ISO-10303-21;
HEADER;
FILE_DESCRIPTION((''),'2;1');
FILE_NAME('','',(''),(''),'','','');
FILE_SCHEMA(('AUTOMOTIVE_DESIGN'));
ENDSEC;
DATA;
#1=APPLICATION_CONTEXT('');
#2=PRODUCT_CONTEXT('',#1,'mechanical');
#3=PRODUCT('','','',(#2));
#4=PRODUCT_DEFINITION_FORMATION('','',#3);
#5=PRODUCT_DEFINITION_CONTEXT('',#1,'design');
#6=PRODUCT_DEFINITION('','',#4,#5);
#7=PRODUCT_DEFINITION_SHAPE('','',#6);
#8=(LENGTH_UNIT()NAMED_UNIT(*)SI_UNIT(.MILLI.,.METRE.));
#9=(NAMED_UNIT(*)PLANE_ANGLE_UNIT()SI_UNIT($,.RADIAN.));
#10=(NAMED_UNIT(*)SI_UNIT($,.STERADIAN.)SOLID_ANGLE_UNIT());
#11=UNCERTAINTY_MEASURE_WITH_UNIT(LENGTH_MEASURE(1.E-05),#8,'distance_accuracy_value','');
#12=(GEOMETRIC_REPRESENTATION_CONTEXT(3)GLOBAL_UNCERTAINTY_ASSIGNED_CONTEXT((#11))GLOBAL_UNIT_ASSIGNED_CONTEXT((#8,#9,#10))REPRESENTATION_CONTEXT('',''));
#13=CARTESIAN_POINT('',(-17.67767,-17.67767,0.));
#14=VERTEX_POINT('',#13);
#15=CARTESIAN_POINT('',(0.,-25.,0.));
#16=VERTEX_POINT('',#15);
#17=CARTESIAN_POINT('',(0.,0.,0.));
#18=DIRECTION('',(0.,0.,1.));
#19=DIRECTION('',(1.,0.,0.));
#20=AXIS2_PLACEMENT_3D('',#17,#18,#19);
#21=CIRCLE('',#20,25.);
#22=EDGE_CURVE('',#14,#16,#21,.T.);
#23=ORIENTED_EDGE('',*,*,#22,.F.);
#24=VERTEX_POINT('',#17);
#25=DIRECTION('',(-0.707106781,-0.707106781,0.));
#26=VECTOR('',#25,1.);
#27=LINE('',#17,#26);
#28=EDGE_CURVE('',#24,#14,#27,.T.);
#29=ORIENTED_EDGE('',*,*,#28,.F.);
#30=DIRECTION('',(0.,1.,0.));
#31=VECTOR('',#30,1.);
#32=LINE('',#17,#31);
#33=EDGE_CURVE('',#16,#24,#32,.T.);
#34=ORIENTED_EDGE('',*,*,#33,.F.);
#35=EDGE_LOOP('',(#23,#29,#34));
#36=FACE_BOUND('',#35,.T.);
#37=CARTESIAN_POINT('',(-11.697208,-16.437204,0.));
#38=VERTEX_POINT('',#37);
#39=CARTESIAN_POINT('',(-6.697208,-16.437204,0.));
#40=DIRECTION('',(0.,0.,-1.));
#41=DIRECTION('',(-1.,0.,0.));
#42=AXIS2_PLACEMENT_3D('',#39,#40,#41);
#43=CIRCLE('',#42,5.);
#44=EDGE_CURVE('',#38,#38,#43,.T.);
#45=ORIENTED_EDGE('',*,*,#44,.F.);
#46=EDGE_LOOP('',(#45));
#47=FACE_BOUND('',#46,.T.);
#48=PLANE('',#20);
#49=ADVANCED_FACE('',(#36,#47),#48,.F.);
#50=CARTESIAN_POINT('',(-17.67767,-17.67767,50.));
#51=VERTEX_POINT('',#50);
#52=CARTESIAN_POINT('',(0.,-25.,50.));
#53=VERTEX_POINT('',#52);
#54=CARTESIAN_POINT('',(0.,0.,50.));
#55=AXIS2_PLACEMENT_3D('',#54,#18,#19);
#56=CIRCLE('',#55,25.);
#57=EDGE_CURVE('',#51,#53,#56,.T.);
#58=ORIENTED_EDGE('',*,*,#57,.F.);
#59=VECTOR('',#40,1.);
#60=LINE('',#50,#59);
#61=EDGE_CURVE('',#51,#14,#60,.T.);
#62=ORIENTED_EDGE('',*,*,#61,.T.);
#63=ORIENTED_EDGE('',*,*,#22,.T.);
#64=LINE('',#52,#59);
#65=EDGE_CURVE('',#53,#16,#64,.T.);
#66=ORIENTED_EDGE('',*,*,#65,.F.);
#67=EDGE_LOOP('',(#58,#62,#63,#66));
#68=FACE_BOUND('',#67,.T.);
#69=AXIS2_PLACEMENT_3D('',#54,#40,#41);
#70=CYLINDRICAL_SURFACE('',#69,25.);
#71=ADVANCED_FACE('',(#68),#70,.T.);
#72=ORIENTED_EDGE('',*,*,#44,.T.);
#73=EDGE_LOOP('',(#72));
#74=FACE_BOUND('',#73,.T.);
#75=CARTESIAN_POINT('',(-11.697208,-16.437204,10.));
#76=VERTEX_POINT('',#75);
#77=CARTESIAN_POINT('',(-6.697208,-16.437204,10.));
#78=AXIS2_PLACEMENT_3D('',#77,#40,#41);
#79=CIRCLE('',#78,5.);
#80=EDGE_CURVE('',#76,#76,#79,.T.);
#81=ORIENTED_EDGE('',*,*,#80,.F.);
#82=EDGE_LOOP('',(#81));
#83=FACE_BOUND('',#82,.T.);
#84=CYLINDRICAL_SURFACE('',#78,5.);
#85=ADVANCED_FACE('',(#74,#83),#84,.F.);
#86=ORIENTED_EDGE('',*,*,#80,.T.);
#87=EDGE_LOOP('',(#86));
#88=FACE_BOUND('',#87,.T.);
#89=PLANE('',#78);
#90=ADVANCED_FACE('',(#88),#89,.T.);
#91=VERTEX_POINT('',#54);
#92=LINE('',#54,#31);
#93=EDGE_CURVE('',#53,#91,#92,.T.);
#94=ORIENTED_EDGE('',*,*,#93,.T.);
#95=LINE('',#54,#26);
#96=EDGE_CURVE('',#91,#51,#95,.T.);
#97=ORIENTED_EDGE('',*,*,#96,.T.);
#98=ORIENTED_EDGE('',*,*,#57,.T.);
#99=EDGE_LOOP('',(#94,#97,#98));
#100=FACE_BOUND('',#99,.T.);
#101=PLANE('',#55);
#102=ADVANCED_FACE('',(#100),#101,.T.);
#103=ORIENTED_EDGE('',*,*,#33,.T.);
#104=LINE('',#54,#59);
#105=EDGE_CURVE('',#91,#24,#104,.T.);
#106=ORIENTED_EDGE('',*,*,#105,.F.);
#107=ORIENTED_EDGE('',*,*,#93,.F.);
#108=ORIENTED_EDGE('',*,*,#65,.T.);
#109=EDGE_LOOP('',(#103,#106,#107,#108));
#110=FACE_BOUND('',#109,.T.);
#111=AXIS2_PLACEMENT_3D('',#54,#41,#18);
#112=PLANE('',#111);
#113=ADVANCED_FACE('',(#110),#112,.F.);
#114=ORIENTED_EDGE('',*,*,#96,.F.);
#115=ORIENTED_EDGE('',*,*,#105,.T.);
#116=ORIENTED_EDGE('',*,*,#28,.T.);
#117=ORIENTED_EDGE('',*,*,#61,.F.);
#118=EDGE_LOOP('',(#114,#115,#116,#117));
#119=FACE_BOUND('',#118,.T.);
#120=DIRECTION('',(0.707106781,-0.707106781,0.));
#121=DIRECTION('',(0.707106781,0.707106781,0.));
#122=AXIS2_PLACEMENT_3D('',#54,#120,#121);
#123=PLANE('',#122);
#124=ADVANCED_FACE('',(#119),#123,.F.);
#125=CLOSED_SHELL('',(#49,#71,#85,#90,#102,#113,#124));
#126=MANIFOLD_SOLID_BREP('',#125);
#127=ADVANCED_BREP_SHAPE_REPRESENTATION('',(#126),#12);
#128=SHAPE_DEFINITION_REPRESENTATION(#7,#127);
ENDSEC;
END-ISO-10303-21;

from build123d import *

# Parameters (mm, degrees)
SALIENTE_EXTRUIR1_DEPTH = 50
CROQUIS2_R              = 5
CORTAR_EXTRUIR1_DEPTH   = 10


with BuildPart() as part:
    # Croquis1 → Saliente-Extruir1 (new body)
    with BuildSketch(Plane.XY):
        with BuildLine():
            Line((0, 0), (0, -25))
            ThreePointArc((0, -25), (-9.567085809, -23.096988313), (-17.67766953, -17.67766953))
            Line((-17.67766953, -17.67766953), (0, 0))
        make_face()
    extrude(amount=SALIENTE_EXTRUIR1_DEPTH)

    # Croquis2 → Cortar-Extruir1 (cut)
    with BuildSketch(Plane(origin=(0, 0, 0), x_dir=(-1, 0, 0), z_dir=(0, 0, -1))):
        with Locations((6.697208452, -16.437204442)):
            Circle(CROQUIS2_R)
    extrude(amount=-CORTAR_EXTRUIR1_DEPTH, mode=Mode.SUBTRACT)


solid = part.part
